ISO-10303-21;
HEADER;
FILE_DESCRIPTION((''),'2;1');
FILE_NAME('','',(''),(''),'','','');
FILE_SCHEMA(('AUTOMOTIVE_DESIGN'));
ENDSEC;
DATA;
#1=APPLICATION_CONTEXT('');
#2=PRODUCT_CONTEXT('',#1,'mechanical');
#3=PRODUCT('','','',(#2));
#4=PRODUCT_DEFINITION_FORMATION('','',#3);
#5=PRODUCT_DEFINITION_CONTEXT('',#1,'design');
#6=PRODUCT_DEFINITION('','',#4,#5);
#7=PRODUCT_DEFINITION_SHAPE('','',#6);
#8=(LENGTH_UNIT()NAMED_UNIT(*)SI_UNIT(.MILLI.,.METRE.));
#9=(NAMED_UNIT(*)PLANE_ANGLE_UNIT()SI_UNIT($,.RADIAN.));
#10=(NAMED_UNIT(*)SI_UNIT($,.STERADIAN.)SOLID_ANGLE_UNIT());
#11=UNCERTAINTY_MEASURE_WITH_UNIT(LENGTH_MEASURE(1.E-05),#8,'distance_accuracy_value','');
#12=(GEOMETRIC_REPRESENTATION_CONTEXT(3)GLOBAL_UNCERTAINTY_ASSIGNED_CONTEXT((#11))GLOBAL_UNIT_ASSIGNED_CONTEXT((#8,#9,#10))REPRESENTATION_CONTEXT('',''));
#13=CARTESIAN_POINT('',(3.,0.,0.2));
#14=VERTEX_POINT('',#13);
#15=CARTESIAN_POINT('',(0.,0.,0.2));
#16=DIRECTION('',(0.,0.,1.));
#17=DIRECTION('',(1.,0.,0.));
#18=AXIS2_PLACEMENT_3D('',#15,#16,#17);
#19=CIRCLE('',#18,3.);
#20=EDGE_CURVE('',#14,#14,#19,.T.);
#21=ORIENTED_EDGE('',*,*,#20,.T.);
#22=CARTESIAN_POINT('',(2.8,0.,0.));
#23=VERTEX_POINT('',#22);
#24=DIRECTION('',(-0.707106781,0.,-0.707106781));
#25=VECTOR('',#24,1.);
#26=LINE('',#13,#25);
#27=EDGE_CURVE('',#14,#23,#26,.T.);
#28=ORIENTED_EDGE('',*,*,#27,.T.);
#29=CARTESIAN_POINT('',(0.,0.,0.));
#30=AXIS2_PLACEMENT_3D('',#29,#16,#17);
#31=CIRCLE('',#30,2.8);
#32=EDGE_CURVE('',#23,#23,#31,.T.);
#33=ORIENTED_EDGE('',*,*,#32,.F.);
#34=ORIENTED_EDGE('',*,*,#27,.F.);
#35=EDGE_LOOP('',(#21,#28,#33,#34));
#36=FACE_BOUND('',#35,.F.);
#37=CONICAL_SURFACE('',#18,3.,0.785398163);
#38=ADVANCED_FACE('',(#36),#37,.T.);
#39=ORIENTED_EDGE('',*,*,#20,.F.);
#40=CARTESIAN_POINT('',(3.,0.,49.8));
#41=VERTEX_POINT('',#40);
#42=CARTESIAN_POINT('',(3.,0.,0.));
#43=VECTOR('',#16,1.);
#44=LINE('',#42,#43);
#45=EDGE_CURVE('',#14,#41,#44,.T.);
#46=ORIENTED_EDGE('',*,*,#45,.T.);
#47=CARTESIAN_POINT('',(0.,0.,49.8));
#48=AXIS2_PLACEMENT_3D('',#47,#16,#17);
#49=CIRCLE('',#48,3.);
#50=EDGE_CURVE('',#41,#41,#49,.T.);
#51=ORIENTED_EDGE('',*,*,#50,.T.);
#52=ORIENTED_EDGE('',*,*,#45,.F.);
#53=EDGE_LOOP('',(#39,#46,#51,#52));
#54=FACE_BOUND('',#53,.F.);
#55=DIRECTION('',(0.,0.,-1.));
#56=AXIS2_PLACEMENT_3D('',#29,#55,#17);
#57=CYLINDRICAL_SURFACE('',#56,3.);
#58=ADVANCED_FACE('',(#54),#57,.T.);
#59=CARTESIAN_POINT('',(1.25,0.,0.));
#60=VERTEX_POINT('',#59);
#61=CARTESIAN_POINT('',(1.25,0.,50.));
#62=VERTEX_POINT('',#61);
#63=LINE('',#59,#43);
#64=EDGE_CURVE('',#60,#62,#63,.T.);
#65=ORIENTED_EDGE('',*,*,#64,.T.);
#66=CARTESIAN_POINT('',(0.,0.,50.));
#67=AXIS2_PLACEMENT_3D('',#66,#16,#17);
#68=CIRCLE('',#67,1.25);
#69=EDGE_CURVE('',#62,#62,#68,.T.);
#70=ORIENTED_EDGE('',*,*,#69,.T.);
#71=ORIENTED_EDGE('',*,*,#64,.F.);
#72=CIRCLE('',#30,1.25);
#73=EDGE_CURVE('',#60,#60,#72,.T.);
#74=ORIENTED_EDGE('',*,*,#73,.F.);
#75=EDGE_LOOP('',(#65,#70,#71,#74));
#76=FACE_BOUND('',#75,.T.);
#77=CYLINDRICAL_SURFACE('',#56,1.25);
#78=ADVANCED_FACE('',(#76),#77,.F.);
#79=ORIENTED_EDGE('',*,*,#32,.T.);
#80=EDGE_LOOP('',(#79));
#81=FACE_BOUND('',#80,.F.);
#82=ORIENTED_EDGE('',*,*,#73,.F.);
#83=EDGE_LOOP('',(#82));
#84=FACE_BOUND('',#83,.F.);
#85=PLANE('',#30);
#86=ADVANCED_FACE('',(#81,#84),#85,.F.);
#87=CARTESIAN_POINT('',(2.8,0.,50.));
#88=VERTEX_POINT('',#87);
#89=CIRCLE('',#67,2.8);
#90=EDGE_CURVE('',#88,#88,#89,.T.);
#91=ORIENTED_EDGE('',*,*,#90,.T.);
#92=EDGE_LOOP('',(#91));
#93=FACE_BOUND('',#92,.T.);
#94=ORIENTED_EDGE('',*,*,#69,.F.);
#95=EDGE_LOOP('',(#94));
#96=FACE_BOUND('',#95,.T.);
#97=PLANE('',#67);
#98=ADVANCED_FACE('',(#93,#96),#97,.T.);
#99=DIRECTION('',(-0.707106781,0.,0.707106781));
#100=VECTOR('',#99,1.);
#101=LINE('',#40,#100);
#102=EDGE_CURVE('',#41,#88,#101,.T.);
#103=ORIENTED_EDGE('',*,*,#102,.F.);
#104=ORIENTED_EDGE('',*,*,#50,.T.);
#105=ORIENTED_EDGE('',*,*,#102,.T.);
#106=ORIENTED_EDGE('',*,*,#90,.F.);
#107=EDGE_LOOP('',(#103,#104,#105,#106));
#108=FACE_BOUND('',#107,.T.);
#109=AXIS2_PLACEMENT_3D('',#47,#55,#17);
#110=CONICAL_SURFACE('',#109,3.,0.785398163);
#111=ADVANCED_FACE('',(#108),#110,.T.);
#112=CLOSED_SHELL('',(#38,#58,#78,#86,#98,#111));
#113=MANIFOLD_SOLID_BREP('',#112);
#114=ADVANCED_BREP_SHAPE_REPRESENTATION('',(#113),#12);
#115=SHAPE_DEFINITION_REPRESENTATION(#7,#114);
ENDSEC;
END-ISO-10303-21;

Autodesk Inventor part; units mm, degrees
ref_plane "YZ Plane" through (0, 0, 0) normal (1, 0, 0) x (0, 1, 0)
ref_plane "XZ Plane" through (0, 0, 0) normal (0, 1, 0) x (-1, 0, 0)
ref_plane "XY Plane" through (0, 0, 0) normal (0, 0, 1) x (1, 0, 0)
sketch "スケッチ1" plane through (0, 0, 0) normal (0, 0, 1) x (1, 0, 0)
  circle A0 centre (0, 0) radius 1.25
  circle A1 centre (0, 0) radius 3
  dimension "d0" = 2.5
  dimension "d1" = 6
extrude "押し出し1" add sketch "スケッチ1" along normal blind 50
chamfer "面取り1" distance 0.2 angle 45 2 edges at (-3, 0, 50) (-3, 0, 0)
properties part number "軸6-50" material "アルミニウム 6061"
